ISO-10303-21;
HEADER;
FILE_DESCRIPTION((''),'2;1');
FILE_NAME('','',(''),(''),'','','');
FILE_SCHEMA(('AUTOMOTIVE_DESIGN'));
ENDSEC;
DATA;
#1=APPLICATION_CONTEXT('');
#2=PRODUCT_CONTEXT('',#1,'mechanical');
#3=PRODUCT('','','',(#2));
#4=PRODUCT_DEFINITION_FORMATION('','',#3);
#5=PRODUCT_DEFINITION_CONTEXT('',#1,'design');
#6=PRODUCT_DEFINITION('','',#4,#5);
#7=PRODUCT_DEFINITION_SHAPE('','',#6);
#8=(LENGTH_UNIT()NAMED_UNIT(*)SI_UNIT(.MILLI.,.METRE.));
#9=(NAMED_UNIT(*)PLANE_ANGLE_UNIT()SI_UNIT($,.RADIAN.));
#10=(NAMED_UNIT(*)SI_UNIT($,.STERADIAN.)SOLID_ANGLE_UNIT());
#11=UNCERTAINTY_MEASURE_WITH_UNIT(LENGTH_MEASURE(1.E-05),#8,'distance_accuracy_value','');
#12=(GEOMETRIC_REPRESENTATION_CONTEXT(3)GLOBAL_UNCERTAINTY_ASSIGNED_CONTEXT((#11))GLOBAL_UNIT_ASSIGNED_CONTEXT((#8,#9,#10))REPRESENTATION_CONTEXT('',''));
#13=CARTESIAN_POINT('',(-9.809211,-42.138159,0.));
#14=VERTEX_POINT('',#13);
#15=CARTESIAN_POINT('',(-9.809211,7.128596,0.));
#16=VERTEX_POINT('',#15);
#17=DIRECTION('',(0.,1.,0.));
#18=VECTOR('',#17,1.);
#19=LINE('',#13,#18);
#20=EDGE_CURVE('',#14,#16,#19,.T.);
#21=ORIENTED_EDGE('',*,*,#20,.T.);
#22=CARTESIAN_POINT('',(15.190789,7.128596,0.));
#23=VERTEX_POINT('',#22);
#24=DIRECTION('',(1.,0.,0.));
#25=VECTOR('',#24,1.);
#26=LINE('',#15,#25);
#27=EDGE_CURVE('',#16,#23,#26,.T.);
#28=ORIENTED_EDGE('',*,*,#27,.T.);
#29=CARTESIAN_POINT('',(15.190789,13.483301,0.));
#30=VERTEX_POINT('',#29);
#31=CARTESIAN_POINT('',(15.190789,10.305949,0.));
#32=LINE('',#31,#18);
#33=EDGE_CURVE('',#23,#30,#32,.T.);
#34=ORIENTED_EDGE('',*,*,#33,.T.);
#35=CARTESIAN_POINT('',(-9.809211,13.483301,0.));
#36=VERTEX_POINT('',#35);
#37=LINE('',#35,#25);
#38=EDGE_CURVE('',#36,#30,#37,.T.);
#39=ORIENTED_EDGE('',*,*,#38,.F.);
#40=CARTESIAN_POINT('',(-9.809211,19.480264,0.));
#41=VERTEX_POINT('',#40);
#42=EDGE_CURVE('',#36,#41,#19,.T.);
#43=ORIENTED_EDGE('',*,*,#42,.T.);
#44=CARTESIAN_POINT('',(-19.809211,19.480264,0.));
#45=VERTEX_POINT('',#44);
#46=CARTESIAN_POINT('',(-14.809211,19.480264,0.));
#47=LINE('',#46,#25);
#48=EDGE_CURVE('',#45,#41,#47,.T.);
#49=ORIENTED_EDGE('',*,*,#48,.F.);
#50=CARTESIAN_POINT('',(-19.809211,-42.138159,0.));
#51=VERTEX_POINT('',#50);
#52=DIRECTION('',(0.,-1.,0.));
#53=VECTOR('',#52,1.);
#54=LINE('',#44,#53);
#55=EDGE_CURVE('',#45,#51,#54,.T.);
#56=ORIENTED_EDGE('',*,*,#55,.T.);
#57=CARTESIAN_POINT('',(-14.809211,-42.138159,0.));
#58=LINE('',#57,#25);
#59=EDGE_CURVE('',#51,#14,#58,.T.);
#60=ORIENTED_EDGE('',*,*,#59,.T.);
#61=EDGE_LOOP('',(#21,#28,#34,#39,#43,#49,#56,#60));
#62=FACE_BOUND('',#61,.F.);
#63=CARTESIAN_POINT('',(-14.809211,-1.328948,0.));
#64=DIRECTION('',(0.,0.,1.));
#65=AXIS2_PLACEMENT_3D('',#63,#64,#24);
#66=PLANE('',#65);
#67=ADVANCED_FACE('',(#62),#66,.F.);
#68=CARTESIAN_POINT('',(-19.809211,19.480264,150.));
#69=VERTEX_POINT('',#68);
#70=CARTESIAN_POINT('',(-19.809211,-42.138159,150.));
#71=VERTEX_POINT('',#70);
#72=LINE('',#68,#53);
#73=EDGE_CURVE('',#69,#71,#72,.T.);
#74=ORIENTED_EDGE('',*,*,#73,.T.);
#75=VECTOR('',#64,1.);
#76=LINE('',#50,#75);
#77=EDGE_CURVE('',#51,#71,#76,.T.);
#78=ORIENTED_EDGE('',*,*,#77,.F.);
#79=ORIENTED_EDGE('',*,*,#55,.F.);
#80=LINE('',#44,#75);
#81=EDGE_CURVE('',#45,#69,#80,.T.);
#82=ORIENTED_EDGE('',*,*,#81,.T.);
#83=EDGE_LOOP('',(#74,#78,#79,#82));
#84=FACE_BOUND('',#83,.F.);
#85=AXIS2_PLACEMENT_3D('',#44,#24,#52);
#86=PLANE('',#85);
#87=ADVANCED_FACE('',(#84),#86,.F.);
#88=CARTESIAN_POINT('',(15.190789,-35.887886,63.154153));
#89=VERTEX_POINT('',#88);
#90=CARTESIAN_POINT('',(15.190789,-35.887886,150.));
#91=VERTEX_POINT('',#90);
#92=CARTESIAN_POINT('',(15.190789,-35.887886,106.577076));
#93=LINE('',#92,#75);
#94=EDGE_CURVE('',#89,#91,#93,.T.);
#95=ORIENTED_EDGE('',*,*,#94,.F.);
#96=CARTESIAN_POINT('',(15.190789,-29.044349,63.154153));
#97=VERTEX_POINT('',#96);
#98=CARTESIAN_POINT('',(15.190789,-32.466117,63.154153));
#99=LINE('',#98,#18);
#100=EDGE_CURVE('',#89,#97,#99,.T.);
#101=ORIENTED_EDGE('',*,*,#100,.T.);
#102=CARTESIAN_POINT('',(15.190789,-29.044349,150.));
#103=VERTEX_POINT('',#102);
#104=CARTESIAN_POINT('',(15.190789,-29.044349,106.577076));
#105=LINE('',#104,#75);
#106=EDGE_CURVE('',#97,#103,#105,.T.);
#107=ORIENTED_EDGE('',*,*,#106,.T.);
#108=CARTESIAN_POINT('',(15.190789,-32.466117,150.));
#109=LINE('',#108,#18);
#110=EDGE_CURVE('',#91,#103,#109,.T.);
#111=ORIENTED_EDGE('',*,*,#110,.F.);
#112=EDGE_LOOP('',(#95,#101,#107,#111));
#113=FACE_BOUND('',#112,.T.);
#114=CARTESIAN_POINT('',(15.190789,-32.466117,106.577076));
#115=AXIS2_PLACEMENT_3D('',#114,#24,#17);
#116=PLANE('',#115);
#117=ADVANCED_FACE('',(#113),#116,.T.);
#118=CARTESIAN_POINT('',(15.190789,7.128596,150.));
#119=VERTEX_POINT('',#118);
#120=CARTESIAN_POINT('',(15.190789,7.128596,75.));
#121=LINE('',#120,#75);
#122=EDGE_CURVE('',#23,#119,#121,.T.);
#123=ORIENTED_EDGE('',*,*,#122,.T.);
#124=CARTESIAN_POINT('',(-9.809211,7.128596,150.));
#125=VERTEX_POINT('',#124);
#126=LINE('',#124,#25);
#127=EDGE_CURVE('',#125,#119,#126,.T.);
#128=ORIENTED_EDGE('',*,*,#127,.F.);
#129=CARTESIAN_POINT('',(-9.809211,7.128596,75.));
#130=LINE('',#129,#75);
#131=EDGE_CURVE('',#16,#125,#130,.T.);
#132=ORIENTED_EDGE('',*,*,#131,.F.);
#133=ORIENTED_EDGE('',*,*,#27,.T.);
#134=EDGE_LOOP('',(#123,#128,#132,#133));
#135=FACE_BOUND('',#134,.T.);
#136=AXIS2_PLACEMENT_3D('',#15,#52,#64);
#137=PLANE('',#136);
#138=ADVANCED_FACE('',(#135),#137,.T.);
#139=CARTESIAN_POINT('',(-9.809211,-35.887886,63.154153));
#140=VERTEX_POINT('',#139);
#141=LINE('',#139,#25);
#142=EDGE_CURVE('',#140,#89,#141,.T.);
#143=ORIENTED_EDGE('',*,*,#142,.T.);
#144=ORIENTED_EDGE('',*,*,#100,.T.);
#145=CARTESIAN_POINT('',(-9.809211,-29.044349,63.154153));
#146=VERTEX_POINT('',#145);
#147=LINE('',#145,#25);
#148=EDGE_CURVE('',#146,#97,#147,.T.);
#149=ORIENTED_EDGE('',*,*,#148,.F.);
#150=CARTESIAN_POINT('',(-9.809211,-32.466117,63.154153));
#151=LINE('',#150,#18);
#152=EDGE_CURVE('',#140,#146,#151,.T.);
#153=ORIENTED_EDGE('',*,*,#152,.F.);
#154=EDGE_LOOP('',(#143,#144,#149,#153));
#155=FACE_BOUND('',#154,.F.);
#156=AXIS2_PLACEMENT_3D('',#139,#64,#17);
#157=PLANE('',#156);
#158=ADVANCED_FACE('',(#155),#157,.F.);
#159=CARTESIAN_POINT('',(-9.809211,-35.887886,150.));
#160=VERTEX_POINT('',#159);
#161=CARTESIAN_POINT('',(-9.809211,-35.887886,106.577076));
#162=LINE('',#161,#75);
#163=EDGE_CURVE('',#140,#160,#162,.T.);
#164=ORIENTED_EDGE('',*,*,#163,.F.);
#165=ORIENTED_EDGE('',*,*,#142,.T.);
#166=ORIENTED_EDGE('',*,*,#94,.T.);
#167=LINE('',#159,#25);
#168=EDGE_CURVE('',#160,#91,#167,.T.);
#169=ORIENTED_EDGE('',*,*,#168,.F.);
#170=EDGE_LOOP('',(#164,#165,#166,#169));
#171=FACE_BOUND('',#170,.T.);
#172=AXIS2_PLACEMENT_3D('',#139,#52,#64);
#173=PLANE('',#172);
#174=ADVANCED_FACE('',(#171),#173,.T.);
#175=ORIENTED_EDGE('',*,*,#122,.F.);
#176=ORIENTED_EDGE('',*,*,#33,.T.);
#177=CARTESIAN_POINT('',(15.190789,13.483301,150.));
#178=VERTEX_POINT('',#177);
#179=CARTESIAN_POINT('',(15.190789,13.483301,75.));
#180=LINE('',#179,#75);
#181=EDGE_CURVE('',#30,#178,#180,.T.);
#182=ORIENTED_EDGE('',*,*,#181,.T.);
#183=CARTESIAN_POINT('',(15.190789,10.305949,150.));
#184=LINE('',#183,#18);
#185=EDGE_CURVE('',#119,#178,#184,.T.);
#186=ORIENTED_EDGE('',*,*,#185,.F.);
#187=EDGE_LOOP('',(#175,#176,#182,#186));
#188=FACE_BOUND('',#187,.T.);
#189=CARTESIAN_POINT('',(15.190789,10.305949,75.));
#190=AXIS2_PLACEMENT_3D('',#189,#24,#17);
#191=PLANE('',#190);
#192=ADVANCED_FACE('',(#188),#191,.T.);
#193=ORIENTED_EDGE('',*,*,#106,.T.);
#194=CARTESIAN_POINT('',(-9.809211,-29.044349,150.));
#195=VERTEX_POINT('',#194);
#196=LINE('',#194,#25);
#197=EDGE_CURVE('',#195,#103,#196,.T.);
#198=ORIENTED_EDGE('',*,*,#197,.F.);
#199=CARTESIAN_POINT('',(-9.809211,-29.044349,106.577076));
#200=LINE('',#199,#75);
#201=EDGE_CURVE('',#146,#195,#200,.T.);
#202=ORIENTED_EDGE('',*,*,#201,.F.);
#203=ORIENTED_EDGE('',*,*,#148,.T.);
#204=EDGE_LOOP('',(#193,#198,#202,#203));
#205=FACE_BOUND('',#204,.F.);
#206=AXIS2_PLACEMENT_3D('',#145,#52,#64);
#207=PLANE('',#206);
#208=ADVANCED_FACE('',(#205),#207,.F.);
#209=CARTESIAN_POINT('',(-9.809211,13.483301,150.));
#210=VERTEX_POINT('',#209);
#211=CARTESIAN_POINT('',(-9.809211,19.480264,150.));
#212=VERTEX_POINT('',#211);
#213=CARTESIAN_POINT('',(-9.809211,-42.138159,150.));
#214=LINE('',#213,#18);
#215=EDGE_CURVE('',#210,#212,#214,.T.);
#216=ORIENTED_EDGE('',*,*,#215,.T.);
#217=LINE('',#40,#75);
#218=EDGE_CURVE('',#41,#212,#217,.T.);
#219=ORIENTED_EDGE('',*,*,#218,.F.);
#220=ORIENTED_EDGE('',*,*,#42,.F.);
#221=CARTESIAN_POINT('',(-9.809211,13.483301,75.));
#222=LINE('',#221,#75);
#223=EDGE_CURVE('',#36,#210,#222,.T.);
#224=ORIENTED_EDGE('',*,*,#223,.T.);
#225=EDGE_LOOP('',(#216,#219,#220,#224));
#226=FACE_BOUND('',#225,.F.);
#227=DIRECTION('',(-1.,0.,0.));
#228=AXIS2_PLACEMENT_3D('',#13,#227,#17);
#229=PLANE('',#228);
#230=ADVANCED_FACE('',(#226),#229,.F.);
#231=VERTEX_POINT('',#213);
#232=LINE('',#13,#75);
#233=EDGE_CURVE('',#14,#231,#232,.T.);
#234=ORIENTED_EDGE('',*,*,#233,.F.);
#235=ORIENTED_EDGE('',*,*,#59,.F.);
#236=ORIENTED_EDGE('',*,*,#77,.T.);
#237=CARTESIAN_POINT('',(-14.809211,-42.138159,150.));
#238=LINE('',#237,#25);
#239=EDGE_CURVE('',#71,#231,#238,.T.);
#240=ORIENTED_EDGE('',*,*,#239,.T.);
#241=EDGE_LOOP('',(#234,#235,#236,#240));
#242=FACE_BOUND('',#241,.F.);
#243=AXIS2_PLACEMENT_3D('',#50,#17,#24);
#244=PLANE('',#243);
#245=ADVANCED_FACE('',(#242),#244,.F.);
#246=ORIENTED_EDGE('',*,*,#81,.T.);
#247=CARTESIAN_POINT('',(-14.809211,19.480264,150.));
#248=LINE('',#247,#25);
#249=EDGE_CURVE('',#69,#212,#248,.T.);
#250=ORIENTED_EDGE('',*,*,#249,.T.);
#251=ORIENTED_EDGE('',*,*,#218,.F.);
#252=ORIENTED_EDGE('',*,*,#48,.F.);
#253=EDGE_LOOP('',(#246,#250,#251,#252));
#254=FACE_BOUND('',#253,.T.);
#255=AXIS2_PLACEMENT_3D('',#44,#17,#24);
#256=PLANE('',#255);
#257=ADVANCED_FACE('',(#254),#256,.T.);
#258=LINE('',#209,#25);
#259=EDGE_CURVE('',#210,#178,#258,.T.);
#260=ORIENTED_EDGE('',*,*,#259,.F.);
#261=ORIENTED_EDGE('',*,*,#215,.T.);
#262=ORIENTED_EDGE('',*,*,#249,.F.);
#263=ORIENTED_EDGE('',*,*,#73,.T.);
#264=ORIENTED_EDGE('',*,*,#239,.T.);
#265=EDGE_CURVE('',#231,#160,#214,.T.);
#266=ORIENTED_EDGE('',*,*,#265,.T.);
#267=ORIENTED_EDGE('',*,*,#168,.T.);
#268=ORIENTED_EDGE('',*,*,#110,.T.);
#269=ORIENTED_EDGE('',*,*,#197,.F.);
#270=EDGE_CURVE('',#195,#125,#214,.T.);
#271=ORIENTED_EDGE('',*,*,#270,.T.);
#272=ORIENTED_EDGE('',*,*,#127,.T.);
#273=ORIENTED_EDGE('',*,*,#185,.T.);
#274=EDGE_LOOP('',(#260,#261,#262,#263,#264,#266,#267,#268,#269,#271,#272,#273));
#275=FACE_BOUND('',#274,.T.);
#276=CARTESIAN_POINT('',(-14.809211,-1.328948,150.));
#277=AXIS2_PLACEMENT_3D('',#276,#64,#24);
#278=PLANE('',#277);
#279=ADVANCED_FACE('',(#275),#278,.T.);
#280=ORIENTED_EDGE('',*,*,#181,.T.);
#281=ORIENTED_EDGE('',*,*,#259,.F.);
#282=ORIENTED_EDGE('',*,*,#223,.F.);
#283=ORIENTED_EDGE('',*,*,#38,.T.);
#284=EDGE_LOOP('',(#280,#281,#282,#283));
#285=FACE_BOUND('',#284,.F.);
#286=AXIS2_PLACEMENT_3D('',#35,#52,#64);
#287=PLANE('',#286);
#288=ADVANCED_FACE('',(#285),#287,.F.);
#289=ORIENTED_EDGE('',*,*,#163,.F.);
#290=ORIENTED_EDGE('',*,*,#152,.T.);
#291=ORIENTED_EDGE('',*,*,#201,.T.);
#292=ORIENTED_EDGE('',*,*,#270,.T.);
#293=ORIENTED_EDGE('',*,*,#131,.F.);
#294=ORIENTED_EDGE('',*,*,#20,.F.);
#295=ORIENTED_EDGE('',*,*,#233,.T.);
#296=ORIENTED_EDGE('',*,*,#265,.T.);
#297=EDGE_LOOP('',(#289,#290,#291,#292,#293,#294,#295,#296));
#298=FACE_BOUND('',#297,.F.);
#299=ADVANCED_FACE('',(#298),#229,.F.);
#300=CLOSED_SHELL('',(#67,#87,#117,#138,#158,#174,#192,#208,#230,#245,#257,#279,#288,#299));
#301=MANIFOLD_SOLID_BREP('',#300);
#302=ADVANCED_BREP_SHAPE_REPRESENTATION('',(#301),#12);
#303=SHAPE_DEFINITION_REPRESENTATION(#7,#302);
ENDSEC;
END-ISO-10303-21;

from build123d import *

# Parameters (mm, degrees)
F0_W     = 10
F0_H     = 41.6184230894
F0_H_2   = 20
F1_DEPTH = 150
F2_W     = 6.3547044992
F2_H     = 150
F2_W_2   = 6.8435370922
F2_H_2   = 86.8458472192
F3_DEPTH = 25


with BuildPart() as f1:
    # F0 (on Top) → F1 (new body)
    with BuildSketch(Plane.XY):
        with Locations((-14.8092108965, -1.3289477304)):
            Rectangle(F0_W, F0_H)
        with Locations((-14.8092108965, -32.1381592751)):
            Rectangle(F0_W, F0_H_2)
    extrude(amount=F1_DEPTH)

    # F2 (on face) → F3 (join)
    with BuildSketch(Plane.YZ.offset(-9.8092108965)):
        with Locations((10.3059485555, 75)):
            Rectangle(F2_W, F2_H)
        with Locations((-32.4661172926, 106.5770763904)):
            Rectangle(F2_W_2, F2_H_2)
    extrude(amount=F3_DEPTH)


solid = f1.part
